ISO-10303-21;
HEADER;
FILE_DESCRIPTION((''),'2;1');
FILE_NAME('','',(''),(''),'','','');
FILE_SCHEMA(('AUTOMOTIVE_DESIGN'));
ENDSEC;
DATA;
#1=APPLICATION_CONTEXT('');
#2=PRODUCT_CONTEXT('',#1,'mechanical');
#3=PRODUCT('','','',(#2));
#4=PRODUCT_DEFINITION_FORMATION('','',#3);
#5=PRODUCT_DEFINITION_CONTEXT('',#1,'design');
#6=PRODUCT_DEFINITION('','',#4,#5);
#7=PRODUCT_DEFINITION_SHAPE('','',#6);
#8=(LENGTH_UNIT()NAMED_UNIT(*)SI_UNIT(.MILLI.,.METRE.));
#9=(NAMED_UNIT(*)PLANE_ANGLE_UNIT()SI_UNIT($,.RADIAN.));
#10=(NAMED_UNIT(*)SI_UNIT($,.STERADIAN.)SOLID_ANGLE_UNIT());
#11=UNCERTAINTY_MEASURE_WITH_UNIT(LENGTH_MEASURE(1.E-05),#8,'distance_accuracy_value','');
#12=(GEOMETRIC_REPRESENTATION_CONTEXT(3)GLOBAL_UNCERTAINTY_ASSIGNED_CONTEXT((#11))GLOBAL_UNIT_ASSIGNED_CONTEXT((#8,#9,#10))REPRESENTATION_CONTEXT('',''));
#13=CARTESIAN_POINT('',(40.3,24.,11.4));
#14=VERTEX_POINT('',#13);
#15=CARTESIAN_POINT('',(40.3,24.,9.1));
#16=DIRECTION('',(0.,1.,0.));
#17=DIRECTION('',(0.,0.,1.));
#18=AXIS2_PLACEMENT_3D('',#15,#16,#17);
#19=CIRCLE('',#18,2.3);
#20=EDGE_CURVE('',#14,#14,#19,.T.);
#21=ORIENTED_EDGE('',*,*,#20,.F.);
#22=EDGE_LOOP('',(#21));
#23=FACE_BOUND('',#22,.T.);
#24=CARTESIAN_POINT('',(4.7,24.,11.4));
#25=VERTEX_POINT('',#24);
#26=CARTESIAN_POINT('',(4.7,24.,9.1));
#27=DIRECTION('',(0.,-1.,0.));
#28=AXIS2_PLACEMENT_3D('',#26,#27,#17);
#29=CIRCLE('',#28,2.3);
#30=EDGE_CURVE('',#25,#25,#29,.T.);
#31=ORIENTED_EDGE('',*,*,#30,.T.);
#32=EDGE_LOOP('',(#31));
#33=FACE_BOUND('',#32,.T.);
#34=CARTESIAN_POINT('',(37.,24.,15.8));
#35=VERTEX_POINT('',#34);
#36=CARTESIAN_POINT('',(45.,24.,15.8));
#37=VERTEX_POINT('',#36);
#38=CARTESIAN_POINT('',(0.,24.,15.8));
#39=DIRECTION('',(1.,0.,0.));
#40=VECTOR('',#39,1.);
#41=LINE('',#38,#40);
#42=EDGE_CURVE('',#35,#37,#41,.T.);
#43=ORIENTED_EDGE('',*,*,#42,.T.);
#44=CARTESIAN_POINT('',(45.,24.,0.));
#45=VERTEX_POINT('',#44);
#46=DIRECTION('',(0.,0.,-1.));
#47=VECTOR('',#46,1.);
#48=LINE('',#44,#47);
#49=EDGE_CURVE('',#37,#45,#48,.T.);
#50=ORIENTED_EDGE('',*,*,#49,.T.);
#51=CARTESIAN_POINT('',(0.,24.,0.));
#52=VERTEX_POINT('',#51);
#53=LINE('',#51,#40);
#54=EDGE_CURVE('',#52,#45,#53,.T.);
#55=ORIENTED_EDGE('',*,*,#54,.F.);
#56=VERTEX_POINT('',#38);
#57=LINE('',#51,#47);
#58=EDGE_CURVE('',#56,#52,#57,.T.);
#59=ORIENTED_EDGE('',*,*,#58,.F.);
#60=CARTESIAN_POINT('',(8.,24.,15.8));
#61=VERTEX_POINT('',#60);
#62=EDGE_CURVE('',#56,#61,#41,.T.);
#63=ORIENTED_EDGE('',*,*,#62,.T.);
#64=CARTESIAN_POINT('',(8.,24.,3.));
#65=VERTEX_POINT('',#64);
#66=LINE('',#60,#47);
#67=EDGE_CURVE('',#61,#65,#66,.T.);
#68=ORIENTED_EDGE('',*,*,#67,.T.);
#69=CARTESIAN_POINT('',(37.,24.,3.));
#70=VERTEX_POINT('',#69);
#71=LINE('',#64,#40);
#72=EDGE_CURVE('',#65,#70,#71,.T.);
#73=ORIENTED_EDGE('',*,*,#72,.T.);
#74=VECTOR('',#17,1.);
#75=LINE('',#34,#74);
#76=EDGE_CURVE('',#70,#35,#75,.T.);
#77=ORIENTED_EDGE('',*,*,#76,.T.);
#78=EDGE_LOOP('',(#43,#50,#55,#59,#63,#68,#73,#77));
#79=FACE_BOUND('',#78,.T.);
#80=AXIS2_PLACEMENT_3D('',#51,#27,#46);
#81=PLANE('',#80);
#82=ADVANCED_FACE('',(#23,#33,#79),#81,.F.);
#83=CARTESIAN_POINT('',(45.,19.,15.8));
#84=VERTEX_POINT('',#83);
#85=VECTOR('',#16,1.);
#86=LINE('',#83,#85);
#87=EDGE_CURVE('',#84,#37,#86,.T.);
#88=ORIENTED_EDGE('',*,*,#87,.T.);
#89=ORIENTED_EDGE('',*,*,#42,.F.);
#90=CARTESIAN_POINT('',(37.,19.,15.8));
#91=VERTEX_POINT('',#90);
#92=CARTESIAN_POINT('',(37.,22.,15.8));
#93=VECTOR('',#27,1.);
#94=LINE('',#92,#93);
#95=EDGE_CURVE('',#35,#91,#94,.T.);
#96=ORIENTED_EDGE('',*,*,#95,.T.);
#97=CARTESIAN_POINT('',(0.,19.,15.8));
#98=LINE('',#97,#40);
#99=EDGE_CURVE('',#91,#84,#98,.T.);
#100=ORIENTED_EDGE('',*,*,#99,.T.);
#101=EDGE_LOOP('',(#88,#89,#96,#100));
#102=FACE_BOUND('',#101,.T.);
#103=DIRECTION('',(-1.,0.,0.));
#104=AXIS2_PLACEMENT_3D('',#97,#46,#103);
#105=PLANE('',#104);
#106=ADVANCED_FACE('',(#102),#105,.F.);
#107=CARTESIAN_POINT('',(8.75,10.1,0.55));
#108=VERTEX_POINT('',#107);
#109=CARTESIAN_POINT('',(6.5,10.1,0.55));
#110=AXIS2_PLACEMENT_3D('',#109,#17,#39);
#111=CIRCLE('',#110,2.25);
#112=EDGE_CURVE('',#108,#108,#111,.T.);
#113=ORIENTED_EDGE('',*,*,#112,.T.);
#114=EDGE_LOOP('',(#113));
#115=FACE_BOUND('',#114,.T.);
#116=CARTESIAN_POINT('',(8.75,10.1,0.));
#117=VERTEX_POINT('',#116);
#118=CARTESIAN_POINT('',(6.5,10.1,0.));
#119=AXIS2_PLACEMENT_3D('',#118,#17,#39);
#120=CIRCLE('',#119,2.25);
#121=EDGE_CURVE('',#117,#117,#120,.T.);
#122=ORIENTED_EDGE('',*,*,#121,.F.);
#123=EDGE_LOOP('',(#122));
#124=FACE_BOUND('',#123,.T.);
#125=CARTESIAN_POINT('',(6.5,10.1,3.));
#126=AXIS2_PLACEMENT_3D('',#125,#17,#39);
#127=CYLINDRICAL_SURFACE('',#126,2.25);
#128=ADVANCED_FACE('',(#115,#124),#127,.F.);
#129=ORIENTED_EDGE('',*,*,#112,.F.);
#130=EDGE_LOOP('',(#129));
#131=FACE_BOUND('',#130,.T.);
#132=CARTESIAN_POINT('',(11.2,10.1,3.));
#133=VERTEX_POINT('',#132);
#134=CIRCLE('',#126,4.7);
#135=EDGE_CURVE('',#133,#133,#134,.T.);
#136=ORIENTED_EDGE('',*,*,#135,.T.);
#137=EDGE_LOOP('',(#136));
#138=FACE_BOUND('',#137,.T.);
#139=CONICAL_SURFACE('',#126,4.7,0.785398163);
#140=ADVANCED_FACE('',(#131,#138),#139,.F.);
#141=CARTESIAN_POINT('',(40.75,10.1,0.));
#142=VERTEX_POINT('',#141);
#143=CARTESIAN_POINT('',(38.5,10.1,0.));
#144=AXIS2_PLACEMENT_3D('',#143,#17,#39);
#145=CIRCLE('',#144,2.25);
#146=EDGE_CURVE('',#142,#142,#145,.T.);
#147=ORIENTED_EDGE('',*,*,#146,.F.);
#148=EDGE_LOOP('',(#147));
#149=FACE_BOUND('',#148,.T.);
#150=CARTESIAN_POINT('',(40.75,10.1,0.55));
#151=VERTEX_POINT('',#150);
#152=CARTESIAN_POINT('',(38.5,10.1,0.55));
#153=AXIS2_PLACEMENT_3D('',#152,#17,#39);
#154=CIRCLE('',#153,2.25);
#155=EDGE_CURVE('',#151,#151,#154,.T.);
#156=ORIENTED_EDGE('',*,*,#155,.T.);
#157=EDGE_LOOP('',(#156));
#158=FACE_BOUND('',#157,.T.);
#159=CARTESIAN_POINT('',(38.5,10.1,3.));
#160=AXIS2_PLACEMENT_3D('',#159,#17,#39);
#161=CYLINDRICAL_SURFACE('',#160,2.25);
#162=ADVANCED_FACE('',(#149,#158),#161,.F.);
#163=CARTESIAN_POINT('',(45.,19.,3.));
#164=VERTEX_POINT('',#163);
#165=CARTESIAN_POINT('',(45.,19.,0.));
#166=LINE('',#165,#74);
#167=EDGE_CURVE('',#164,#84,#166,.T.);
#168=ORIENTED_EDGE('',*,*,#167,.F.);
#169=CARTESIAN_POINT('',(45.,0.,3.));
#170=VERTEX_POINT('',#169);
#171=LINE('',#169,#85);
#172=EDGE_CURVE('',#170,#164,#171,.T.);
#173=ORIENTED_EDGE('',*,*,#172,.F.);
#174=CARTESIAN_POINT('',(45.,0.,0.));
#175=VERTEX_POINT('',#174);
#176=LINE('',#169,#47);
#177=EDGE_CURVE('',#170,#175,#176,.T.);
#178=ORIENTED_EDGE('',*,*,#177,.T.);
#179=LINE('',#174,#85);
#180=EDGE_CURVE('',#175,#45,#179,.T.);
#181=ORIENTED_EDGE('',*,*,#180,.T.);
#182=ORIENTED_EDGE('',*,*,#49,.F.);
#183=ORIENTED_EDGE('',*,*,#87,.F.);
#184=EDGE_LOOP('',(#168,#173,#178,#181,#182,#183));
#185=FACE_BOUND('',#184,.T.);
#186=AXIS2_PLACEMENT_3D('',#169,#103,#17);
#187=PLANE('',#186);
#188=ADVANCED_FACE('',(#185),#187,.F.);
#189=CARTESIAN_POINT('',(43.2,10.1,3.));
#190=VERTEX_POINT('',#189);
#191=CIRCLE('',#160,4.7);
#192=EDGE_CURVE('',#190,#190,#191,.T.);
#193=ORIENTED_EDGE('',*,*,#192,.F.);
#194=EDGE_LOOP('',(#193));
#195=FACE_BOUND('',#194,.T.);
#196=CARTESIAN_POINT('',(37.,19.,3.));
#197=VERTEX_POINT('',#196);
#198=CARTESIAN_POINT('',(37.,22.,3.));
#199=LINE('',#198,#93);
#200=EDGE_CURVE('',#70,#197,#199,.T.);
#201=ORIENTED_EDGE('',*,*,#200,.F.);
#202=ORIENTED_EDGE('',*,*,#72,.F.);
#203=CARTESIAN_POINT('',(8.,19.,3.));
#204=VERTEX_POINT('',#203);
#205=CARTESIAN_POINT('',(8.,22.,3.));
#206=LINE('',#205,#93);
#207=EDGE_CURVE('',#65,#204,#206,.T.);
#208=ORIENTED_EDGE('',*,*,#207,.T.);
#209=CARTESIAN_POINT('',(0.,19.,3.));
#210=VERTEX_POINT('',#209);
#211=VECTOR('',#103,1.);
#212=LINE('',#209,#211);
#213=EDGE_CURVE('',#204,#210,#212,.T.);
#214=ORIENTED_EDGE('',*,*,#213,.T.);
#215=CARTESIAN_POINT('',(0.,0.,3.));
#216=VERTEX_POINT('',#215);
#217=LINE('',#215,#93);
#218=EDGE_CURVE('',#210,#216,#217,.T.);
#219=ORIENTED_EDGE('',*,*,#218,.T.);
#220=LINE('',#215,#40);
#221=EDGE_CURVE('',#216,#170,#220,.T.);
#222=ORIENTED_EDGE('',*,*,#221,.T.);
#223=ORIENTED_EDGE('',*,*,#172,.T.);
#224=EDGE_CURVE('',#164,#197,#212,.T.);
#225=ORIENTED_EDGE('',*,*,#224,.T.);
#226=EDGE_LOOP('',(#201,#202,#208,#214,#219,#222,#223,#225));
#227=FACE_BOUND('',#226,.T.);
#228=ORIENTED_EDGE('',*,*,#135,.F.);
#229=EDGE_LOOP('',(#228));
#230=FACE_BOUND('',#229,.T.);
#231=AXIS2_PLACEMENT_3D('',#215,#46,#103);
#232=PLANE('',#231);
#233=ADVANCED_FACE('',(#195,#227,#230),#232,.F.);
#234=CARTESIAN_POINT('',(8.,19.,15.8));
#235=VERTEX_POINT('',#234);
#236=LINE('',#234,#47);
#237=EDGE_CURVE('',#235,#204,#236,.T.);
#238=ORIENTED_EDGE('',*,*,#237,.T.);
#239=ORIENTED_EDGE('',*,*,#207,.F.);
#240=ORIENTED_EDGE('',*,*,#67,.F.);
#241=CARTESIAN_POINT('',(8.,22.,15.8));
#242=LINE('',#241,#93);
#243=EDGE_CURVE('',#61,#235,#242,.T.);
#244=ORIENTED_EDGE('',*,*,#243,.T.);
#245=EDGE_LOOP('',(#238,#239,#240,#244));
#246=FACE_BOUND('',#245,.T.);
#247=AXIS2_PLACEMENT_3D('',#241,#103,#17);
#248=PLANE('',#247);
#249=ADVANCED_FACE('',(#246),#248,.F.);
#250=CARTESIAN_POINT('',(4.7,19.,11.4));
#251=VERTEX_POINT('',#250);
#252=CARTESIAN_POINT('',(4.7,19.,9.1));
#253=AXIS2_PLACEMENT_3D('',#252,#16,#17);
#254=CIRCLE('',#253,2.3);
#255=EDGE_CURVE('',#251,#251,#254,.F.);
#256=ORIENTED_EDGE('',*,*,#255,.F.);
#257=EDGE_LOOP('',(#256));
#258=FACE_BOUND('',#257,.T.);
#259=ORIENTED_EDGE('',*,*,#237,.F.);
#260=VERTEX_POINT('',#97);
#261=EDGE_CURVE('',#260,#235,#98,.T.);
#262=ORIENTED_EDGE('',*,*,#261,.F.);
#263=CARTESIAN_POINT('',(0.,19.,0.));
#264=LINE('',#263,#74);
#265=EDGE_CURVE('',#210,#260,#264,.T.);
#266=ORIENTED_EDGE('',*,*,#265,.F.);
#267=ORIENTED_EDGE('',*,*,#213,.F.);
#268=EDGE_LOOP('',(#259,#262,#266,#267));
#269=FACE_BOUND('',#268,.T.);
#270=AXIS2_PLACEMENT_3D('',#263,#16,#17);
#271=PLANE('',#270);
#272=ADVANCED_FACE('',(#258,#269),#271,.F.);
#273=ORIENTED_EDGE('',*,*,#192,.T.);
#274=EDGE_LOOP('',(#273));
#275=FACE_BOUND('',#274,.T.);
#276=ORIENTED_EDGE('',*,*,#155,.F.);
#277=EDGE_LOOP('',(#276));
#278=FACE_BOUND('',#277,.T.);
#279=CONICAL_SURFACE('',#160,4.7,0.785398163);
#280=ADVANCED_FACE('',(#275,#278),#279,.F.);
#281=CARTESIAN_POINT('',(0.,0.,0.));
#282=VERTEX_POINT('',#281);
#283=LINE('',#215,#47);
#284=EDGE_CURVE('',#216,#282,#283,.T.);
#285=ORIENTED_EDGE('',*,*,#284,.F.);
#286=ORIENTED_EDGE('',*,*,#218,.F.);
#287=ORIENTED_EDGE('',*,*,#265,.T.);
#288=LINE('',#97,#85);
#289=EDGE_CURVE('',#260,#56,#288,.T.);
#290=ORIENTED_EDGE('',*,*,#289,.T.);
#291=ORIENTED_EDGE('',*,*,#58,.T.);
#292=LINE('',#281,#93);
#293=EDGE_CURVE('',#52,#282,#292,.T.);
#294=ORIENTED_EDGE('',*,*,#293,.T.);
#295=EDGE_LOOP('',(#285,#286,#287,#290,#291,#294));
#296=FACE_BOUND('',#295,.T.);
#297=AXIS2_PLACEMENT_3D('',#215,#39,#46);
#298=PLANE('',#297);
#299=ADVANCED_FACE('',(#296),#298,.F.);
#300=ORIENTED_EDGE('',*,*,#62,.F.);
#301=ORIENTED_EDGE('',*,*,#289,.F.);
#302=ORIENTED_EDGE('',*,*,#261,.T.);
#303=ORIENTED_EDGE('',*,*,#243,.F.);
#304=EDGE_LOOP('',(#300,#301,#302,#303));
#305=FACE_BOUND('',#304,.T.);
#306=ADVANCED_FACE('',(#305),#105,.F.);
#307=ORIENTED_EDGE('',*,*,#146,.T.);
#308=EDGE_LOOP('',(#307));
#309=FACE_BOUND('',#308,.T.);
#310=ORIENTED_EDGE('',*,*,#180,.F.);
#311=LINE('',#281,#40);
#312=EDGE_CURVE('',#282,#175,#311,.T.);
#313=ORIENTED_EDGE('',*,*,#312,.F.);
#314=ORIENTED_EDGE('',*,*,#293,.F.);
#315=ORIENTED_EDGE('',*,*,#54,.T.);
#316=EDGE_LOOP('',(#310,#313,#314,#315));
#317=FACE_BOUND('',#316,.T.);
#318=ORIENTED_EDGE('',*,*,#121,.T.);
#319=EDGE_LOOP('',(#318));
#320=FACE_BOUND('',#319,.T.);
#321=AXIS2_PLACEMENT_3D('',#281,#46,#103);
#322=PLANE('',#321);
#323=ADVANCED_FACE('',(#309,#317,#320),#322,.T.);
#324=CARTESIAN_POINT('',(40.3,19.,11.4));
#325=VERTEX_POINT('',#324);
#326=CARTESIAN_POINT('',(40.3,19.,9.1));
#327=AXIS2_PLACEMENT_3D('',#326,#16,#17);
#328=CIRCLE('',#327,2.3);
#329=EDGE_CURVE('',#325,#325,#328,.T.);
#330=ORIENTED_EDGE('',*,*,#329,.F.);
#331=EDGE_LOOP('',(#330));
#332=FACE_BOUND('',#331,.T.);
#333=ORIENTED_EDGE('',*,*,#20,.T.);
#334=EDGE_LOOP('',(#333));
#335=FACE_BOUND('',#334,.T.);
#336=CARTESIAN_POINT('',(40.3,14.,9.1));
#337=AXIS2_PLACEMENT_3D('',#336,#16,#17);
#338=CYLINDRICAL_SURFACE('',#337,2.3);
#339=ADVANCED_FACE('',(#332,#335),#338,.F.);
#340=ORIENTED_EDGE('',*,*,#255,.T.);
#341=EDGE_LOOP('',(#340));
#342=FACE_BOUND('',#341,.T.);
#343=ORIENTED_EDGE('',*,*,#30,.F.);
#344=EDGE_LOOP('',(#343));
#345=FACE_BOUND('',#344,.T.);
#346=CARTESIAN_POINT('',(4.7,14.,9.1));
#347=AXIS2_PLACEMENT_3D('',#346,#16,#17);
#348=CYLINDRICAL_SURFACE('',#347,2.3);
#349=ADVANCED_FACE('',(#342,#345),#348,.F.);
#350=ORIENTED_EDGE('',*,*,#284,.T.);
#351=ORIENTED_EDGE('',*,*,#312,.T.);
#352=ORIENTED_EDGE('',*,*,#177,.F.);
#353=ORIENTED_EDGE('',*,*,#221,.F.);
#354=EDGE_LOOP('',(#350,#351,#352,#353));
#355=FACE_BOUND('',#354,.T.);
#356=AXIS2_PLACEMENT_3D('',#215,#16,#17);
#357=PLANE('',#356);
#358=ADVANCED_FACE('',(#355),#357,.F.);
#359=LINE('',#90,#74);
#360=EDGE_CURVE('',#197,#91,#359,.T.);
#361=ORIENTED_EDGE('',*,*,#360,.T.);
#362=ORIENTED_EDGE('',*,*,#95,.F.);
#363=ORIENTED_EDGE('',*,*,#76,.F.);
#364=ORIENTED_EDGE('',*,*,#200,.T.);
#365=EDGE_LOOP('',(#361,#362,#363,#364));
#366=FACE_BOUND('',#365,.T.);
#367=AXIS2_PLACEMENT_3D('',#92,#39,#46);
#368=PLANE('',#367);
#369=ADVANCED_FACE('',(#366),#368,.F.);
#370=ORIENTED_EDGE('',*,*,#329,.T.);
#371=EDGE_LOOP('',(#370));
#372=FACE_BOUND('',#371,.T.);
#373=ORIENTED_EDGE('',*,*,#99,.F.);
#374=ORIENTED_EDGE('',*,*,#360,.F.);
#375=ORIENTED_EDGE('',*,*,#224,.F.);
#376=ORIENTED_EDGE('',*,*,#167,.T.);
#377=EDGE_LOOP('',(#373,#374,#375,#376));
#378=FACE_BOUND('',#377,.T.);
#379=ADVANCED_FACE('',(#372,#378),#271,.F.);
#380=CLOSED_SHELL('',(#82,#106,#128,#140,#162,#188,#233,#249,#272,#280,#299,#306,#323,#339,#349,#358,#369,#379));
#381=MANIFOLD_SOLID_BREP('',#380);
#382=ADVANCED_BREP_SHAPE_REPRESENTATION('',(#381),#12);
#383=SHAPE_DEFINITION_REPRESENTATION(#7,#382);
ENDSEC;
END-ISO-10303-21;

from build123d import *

# Parameters (mm, degrees)
ESQUISSE1_W                = 45
ESQUISSE1_H                = 19
BOSS_EXTRU_1_DEPTH         = 3
R_P_TITION_LIN_AIRE3_COUNT = 2
R_P_TITION_LIN_AIRE3_PITCH = 32
ESQUISSE7_W                = 15.8
ESQUISSE7_H                = 5
BOSS_EXTRU_2_DEPTH         = 45
ESQUISSE8_W                = 29
ESQUISSE8_H                = 12.8
ENL_V_MAT_EXTRU_4_DEPTH    = 3
ESQUISSE8_5_W              = 29
ESQUISSE8_5_H              = 12.8
ENL_V_MAT_EXTRU_5_DEPTH    = 6
ESQUISSE9_R                = 2.3
ENL_V_MAT_EXTRU_6_DEPTH    = 10


with BuildPart() as part:
    # Esquisse1 → Boss.-Extru.1 (new body)
    with BuildSketch(Plane.XY):
        with Locations((22.5, 9.5)):
            Rectangle(ESQUISSE1_W, ESQUISSE1_H)
    extrude(amount=BOSS_EXTRU_1_DEPTH)

    # Esquisse5 → Fraisage pour vis _ t_te frais_e M42 (revolve, cut)
    with BuildSketch(Plane(origin=(38.5, 10.1, 3), x_dir=(0, -1, 0), z_dir=(1, 0, 0))):
        Polygon((0, 0), (0, 3), (2.25, 3), (2.25, 2.45), (4.7, 0), align=None)
    fraisage_pour_vis_t_te_frais_e_m42 = revolve(axis=Axis((38.5, 10.1, 9.35), (0, 0, -1)), mode=Mode.SUBTRACT)

    # R_p_tition lin_aire3: Fraisage pour vis _ t_te frais_e M42 ×2
    with Locations(*[(-i * R_P_TITION_LIN_AIRE3_PITCH, 0, 0) for i in range(1, R_P_TITION_LIN_AIRE3_COUNT)]):
        add(fraisage_pour_vis_t_te_frais_e_m42, mode=Mode.SUBTRACT)

    # Esquisse7 → Boss.-Extru.2 (add)
    with BuildSketch(Plane(origin=(45, 19, 0), x_dir=(0, 0, 1), z_dir=(-1, 0, 0))):
        with Locations((7.9, 2.5)):
            Rectangle(ESQUISSE7_W, ESQUISSE7_H)
    extrude(amount=BOSS_EXTRU_2_DEPTH)

    # Esquisse8 → Enl_v. mat.-Extru.4 (cut)
    with BuildSketch(Plane.XZ.offset(-19)):
        with Locations((22.5, 9.4)):
            Rectangle(ESQUISSE8_W, ESQUISSE8_H)
    extrude(amount=-ENL_V_MAT_EXTRU_4_DEPTH, mode=Mode.SUBTRACT)

    # Esquisse8_5 → Enl_v. mat.-Extru.5 (cut, through all)
    with BuildSketch(Plane.XZ.offset(-19)):
        with Locations((22.5, 9.4)):
            Rectangle(ESQUISSE8_5_W, ESQUISSE8_5_H)
    extrude(amount=-ENL_V_MAT_EXTRU_5_DEPTH, mode=Mode.SUBTRACT)

    # Esquisse9 → Enl_v. mat.-Extru.6 (cut)
    with BuildSketch(Plane(origin=(0, 24, 0), x_dir=(1, 0, 0), z_dir=(0, 1, 0))):
        with Locations((40.3, -9.1)):
            Circle(ESQUISSE9_R)
    enl_v_mat_extru_6 = extrude(amount=-ENL_V_MAT_EXTRU_6_DEPTH, mode=Mode.SUBTRACT)

    # Sym_trie1: Enl_v. mat.-Extru.6 across plane
    add(enl_v_mat_extru_6.mirror(Plane(origin=(22.5, 0, 0), x_dir=(0, 0, 1), z_dir=(1, 0, 0))), mode=Mode.SUBTRACT)


solid = part.part
